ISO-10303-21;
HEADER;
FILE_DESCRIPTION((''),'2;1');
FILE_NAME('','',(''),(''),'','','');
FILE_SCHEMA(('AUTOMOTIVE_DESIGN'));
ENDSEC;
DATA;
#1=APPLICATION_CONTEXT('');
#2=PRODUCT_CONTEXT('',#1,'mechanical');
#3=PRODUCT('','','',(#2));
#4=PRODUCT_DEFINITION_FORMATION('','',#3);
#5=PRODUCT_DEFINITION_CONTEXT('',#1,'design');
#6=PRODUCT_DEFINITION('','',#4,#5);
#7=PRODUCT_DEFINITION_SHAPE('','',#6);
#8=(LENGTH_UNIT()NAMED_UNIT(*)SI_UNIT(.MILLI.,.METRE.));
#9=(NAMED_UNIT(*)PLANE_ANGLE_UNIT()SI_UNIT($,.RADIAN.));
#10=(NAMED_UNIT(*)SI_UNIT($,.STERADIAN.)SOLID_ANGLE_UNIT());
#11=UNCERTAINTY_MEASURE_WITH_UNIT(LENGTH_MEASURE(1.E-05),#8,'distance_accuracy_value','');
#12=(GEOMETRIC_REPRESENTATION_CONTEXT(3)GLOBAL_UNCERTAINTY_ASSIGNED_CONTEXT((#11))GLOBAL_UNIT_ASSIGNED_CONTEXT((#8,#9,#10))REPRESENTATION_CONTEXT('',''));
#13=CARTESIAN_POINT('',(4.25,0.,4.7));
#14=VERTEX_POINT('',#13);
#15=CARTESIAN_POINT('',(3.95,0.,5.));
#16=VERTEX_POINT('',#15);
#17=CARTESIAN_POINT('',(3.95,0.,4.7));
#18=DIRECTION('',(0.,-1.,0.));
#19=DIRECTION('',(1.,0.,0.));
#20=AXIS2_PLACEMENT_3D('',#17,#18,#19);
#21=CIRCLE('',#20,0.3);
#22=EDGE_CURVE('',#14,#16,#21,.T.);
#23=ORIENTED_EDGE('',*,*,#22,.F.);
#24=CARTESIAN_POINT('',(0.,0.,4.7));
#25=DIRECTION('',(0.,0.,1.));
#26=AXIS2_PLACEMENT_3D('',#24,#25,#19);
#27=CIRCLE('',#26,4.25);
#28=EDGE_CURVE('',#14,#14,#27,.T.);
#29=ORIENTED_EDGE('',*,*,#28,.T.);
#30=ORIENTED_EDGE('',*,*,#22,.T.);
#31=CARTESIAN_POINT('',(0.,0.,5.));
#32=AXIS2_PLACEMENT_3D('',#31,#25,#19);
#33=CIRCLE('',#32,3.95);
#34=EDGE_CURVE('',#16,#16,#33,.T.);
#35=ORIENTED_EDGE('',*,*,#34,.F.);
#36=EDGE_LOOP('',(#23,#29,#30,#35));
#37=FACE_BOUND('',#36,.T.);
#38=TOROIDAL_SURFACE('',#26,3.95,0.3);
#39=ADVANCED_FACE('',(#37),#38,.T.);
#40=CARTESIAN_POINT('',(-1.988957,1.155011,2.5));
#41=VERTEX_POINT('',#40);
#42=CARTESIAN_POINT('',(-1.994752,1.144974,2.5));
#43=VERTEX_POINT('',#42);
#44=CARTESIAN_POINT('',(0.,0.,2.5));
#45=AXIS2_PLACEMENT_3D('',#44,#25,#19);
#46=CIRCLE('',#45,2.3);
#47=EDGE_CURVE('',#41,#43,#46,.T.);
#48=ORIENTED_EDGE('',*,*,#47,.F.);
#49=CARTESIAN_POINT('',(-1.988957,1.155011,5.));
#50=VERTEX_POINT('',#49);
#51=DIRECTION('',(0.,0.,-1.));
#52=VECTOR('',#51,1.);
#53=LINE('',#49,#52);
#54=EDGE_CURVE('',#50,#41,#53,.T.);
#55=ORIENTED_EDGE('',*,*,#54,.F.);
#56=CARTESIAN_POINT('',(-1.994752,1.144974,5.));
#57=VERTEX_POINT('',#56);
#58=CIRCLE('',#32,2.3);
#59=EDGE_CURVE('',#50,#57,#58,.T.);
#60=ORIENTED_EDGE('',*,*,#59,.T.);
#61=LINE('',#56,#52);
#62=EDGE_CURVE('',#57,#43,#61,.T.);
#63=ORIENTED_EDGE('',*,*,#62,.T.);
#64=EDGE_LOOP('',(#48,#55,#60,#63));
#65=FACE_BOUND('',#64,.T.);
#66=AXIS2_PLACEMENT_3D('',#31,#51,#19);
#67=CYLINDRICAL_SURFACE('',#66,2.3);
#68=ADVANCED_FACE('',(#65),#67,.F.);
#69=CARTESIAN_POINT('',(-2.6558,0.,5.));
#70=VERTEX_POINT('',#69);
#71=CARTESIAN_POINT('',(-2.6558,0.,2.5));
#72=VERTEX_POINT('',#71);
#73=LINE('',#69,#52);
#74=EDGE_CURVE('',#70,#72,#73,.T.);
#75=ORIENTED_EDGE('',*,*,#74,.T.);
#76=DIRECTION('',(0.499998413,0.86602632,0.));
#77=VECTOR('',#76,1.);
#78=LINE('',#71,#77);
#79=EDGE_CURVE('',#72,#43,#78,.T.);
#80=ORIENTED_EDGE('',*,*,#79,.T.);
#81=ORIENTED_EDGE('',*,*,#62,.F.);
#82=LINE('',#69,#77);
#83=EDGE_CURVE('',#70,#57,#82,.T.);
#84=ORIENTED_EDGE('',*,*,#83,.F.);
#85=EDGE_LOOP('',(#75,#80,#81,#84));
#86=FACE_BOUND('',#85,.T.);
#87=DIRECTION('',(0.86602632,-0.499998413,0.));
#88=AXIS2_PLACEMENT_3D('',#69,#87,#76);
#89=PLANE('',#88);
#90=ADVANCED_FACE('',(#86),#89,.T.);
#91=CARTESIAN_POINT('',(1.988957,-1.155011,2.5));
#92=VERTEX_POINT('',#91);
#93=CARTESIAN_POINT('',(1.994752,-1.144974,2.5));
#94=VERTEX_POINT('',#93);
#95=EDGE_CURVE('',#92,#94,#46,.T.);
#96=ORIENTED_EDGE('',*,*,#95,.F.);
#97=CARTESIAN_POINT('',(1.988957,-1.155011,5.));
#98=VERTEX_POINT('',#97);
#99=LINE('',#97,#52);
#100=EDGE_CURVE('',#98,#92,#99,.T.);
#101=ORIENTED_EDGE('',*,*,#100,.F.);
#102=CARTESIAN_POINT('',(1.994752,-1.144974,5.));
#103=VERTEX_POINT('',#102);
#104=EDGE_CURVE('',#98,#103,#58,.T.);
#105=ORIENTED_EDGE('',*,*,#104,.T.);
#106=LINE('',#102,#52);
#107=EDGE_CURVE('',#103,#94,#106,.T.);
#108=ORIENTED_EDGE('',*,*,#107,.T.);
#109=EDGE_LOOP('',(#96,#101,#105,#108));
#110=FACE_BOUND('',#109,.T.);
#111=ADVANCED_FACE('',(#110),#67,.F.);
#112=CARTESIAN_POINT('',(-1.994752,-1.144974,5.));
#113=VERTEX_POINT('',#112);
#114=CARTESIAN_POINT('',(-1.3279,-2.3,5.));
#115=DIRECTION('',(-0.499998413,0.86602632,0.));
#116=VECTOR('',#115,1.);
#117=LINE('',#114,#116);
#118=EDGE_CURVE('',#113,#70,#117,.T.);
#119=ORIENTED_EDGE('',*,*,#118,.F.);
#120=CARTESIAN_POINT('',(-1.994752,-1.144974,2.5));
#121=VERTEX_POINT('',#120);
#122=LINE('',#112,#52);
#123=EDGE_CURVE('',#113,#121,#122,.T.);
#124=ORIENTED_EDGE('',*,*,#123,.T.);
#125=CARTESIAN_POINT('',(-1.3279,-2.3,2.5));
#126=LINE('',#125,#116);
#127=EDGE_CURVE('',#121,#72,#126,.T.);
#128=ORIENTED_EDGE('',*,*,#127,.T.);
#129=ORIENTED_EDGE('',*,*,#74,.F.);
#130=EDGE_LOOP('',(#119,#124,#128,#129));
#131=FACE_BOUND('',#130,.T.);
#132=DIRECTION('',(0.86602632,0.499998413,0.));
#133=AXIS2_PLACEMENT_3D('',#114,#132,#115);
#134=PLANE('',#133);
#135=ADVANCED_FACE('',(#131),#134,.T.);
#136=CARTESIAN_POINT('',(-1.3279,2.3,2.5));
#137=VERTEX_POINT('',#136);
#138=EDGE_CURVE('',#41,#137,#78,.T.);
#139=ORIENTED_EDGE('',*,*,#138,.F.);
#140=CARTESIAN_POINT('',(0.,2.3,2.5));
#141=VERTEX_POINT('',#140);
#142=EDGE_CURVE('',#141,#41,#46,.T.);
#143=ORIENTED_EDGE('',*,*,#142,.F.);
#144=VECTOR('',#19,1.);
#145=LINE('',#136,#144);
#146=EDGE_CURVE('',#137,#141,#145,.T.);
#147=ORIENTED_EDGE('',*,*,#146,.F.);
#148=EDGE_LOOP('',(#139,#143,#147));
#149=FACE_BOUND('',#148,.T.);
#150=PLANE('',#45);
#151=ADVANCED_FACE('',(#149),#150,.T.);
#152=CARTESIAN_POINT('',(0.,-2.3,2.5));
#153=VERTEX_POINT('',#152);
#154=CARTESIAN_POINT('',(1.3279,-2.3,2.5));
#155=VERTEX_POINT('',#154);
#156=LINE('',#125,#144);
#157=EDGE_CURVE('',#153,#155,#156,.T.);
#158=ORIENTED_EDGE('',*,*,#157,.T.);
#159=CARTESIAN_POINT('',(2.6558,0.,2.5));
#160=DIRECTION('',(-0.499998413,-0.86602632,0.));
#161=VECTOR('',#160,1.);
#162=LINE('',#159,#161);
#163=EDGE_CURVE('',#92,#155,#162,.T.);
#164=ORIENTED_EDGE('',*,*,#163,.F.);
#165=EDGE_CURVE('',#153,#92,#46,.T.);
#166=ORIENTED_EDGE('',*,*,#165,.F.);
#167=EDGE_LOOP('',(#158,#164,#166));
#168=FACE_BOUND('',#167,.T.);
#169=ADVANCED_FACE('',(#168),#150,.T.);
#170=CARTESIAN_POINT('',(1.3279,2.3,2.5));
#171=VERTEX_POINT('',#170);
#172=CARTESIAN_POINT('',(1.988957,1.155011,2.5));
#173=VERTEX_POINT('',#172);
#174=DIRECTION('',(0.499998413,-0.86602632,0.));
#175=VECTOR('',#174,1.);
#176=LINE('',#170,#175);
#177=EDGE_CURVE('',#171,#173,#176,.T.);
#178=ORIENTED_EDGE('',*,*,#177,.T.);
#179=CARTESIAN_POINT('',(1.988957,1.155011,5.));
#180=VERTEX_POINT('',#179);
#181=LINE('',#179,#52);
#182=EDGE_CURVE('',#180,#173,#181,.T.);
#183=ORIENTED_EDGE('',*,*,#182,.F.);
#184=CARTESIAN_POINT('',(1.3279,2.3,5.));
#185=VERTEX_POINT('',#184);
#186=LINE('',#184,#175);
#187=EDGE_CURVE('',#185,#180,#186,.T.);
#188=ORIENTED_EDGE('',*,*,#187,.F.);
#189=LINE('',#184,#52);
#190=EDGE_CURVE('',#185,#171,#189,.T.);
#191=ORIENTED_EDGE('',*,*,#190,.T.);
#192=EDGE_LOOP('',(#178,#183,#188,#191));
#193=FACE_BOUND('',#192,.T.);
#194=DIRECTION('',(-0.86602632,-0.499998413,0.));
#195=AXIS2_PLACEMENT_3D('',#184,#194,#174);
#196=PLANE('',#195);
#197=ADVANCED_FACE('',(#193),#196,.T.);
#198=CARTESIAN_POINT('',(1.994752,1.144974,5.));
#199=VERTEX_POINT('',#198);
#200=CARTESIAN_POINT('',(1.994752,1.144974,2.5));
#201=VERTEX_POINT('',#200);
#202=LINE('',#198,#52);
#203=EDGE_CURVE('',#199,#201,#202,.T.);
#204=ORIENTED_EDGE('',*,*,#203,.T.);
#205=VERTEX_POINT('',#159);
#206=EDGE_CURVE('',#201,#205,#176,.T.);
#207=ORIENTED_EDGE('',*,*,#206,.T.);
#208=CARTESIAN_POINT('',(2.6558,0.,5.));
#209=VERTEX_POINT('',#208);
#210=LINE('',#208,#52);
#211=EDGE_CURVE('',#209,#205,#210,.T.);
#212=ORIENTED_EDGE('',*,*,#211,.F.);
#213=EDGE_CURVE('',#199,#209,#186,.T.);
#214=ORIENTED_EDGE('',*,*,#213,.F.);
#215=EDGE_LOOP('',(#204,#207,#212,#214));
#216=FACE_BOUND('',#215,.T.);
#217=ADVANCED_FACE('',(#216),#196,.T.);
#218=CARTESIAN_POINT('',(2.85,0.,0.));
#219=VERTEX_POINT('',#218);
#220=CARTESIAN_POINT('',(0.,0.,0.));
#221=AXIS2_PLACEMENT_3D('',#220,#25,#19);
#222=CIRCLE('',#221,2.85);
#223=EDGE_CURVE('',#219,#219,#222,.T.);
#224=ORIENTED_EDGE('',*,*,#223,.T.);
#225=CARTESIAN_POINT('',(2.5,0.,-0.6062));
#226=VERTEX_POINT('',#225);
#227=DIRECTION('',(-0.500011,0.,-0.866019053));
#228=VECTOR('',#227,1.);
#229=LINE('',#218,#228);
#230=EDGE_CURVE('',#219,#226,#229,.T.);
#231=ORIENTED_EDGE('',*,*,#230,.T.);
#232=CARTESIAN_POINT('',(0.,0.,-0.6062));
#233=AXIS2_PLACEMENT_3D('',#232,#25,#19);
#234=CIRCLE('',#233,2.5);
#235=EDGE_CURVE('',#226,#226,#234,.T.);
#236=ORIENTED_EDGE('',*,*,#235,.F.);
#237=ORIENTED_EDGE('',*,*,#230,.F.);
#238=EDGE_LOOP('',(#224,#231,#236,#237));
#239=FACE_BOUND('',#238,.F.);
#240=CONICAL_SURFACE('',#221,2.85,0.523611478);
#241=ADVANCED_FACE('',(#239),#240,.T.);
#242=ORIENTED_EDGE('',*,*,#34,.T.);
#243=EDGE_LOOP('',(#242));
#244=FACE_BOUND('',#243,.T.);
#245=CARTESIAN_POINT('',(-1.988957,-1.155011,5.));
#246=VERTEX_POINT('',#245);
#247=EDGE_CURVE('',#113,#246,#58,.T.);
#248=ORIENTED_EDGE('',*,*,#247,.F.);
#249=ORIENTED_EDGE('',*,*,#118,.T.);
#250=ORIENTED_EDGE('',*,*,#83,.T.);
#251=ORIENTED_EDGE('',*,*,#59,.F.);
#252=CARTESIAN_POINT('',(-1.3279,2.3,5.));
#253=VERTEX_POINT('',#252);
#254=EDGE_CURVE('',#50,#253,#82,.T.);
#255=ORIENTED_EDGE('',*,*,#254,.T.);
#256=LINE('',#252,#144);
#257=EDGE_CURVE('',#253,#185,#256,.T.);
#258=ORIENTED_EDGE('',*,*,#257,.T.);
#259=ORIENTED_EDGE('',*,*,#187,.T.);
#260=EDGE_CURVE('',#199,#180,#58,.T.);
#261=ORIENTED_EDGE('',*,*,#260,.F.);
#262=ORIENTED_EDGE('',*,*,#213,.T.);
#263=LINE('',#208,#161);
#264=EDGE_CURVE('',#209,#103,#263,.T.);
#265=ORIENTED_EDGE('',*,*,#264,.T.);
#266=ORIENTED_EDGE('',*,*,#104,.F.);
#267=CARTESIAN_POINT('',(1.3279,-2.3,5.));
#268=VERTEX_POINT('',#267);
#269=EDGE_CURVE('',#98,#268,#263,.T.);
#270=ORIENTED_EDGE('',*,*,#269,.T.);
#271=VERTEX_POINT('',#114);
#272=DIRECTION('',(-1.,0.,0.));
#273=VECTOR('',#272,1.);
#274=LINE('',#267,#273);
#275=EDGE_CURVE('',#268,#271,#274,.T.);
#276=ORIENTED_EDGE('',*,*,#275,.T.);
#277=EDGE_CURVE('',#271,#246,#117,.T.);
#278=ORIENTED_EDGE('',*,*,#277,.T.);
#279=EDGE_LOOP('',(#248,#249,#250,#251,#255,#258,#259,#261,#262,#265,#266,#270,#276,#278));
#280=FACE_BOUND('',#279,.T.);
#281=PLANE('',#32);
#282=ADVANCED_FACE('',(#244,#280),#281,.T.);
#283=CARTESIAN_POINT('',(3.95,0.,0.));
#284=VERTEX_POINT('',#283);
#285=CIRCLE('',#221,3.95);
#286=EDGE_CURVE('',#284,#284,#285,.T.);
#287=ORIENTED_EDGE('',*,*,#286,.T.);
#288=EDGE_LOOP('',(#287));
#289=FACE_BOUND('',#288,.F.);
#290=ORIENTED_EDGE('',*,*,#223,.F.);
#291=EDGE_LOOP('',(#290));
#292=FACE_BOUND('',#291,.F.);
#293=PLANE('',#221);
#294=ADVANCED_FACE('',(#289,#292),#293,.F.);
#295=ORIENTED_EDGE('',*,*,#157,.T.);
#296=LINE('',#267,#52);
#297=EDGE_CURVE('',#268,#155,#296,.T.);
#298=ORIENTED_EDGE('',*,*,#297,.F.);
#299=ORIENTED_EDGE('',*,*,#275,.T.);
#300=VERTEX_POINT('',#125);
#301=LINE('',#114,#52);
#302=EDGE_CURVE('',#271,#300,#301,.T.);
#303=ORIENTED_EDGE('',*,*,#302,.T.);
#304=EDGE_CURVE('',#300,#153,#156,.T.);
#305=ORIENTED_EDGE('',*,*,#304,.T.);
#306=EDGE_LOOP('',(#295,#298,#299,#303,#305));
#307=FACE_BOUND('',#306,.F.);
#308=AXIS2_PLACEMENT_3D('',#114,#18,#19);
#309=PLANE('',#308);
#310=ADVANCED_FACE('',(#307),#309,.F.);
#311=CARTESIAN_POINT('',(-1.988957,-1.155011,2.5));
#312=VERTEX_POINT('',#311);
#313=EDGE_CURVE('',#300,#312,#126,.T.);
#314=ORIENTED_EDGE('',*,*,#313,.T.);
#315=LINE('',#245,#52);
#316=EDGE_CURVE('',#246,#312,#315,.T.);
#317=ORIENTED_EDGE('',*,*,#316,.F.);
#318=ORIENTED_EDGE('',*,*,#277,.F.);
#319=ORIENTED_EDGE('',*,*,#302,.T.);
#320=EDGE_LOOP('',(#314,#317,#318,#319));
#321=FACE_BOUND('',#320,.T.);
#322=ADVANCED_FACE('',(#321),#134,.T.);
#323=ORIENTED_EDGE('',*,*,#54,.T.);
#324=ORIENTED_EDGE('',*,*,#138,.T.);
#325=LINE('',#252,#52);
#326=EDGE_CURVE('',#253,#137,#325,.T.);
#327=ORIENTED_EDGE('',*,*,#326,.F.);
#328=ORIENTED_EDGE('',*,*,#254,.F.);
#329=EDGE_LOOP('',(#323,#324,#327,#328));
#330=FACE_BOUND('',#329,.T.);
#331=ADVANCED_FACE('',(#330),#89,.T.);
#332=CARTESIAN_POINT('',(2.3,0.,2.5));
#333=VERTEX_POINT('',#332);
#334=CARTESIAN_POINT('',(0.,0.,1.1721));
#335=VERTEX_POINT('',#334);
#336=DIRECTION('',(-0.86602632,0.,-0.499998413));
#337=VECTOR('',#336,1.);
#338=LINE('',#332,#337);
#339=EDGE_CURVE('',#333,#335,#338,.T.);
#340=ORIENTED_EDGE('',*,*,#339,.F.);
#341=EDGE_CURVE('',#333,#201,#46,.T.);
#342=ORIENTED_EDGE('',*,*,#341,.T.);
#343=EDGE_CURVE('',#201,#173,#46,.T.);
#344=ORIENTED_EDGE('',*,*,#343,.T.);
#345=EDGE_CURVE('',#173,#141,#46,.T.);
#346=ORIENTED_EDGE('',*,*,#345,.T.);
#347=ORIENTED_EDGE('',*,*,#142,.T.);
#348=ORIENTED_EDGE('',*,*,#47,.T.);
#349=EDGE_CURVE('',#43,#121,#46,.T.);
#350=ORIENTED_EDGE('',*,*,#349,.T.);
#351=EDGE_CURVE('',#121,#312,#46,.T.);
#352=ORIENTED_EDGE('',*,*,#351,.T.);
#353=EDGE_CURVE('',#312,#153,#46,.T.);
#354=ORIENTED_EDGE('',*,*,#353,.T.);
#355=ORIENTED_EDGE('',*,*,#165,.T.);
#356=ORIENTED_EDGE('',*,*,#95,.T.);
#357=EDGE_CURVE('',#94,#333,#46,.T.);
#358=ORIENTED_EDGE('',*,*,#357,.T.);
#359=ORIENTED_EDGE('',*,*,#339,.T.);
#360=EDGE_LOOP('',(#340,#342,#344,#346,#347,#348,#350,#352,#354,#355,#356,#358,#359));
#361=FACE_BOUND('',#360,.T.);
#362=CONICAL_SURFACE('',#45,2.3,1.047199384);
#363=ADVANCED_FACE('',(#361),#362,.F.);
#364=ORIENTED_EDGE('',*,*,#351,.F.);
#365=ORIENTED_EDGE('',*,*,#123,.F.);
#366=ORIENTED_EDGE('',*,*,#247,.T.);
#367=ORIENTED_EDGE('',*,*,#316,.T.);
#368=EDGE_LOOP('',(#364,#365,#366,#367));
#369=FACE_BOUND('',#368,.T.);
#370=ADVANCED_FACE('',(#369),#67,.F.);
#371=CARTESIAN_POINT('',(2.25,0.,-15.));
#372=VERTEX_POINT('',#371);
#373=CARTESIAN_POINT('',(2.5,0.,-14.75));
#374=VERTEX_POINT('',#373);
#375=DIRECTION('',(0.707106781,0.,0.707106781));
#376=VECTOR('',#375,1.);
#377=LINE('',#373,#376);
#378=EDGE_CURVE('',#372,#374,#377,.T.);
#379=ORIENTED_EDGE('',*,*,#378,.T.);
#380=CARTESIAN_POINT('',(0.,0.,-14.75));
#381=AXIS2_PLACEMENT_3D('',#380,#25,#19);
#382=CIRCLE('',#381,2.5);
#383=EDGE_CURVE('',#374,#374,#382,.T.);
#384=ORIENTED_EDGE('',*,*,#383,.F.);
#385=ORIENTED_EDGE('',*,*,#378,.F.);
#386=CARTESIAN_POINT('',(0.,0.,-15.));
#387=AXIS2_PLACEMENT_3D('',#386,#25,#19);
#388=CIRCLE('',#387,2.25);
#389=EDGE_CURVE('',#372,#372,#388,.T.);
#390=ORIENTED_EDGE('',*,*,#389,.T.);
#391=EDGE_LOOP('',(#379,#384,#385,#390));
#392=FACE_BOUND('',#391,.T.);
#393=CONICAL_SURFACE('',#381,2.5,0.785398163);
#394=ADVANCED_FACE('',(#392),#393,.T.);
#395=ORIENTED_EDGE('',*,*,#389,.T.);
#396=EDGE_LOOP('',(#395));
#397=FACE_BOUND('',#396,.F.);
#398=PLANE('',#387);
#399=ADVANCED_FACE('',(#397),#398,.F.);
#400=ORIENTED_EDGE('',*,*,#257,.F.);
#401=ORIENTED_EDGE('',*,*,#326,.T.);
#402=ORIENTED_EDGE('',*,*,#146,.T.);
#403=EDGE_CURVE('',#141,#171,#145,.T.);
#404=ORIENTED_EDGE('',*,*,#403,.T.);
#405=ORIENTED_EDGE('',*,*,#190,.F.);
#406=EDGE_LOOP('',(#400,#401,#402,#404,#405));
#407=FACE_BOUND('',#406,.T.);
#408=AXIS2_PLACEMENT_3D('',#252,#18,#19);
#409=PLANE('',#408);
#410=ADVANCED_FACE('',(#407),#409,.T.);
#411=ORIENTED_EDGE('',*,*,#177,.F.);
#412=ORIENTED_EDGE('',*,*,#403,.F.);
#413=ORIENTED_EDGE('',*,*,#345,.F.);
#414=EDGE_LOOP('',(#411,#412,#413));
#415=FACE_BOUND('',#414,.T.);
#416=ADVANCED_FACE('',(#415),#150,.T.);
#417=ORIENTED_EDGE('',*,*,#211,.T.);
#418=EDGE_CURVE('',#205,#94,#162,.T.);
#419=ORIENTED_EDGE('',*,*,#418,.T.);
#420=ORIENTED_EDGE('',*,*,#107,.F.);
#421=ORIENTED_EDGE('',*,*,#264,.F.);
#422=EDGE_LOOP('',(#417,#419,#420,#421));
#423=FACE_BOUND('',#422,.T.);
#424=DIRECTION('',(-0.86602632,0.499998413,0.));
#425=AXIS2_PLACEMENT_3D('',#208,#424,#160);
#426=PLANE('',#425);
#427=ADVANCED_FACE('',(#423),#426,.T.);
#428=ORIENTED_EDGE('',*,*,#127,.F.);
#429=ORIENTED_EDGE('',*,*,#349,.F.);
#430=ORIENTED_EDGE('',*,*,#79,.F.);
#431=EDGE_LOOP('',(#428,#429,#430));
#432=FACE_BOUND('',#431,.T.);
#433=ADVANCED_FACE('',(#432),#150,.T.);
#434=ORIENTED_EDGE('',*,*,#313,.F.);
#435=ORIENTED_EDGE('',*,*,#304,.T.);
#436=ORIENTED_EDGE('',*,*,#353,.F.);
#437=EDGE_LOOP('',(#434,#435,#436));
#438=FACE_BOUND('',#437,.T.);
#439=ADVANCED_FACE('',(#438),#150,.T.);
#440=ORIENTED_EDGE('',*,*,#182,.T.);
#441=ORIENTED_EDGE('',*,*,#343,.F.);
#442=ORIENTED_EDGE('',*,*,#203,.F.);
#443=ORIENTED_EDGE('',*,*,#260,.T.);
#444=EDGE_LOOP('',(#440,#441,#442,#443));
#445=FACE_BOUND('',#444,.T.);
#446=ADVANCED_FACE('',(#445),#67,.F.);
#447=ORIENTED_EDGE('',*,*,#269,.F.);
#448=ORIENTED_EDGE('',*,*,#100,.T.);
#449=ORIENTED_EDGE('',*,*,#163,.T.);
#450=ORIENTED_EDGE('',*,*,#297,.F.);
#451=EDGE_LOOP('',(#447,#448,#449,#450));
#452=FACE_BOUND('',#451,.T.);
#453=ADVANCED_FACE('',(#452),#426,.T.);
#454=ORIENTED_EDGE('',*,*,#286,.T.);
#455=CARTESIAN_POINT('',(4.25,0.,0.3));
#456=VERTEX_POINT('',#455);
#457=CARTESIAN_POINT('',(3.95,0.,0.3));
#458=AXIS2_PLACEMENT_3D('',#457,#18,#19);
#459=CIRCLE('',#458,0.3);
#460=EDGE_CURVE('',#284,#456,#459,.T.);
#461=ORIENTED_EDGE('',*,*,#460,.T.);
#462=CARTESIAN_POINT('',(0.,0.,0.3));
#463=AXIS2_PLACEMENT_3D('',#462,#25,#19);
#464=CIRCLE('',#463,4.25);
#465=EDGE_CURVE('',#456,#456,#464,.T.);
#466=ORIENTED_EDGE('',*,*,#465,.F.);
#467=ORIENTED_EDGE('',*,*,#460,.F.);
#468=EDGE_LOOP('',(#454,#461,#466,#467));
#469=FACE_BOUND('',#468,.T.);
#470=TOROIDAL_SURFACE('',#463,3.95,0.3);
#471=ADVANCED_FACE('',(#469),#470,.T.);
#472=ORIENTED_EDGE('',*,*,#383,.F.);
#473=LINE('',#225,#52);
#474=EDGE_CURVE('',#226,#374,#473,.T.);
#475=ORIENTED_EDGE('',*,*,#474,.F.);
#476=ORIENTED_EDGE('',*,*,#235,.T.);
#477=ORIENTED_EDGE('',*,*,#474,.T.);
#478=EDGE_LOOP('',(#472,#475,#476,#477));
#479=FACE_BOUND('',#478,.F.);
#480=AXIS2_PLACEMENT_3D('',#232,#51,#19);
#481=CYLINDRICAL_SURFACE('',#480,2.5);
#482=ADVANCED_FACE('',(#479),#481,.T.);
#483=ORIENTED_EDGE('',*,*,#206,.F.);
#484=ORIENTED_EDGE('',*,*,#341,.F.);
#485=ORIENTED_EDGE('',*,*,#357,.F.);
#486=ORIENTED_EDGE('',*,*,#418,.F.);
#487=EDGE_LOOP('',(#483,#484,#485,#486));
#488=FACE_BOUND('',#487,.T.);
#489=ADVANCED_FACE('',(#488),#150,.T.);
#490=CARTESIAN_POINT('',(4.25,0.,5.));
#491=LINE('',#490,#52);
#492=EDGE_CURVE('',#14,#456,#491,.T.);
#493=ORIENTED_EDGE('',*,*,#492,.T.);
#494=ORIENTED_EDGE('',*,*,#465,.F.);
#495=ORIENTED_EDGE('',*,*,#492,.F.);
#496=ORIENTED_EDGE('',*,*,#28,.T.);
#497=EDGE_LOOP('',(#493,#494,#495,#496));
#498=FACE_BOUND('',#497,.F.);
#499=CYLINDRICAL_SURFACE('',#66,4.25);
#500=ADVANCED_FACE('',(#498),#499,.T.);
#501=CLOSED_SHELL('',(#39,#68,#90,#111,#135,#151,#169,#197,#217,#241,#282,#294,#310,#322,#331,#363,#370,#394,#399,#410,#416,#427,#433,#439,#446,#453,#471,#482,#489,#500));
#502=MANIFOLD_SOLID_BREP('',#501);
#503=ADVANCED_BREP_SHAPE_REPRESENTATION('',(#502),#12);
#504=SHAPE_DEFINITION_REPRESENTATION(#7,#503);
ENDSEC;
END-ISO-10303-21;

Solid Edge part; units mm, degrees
sketch "Sketch1" plane through (0, 0, 0) normal (0, -1, 0) x (1, 0, 0)
  line L0 (4.25, 5) -> (4.25, 0)
  line L1 (4.25, 0) -> (2.85, 0)
  line L2 (2.85, 0) -> (2.5, -0.6062)
  line L3 (2.5, -0.6062) -> (2.5, -15)
  line L4 (2.5, -15) -> (0, -15)
  line L5 (2.3, 2.5) -> (0, 1.1721)
  line L6 (2.3, 5) -> (2.3, 2.5)
  line L7 (4.25, 5) -> (2.3, 5)
  dimension "D1" = 2.5
  dimension "D2" = 15
  dimension "D3" = 5
revolve "RevolvedProtrusion1" add sketch "Sketch1" angle 360 about axis through (0, 0, -6) along (0, 0, 1)
cosmetic_thread "Thread1" size "M5"
chamfer "chamfer" distance 0.25 angle 45 1 edges at (-2.5, 0, -15)
fillet "head_roundings" radius 0.3 2 edges at (-4.25, 0, 0) (-4.25, 0, 5)
sketch "Sketch2" plane through (0, 0, 5) normal (0, 0, 1) x (0, 1, 0)
  line L0 (-2.3, 1.3279) -> (-2.3, -1.3279)
  line L1 (0, -2.6558) -> (-2.3, -1.3279)
  line L2 (2.3, -1.3279) -> (0, -2.6558)
  line L3 (2.3, 1.3279) -> (2.3, -1.3279)
  line L4 (0, 2.6558) -> (2.3, 1.3279)
  line L5 (-2.3, 1.3279) -> (0, 2.6558)
extrude "Cutout1" cut sketch "Sketch2" against normal up to vertex (2.5 mm away)
properties part number "STD-DIN912-M5x15" material "Galvanized steel"
